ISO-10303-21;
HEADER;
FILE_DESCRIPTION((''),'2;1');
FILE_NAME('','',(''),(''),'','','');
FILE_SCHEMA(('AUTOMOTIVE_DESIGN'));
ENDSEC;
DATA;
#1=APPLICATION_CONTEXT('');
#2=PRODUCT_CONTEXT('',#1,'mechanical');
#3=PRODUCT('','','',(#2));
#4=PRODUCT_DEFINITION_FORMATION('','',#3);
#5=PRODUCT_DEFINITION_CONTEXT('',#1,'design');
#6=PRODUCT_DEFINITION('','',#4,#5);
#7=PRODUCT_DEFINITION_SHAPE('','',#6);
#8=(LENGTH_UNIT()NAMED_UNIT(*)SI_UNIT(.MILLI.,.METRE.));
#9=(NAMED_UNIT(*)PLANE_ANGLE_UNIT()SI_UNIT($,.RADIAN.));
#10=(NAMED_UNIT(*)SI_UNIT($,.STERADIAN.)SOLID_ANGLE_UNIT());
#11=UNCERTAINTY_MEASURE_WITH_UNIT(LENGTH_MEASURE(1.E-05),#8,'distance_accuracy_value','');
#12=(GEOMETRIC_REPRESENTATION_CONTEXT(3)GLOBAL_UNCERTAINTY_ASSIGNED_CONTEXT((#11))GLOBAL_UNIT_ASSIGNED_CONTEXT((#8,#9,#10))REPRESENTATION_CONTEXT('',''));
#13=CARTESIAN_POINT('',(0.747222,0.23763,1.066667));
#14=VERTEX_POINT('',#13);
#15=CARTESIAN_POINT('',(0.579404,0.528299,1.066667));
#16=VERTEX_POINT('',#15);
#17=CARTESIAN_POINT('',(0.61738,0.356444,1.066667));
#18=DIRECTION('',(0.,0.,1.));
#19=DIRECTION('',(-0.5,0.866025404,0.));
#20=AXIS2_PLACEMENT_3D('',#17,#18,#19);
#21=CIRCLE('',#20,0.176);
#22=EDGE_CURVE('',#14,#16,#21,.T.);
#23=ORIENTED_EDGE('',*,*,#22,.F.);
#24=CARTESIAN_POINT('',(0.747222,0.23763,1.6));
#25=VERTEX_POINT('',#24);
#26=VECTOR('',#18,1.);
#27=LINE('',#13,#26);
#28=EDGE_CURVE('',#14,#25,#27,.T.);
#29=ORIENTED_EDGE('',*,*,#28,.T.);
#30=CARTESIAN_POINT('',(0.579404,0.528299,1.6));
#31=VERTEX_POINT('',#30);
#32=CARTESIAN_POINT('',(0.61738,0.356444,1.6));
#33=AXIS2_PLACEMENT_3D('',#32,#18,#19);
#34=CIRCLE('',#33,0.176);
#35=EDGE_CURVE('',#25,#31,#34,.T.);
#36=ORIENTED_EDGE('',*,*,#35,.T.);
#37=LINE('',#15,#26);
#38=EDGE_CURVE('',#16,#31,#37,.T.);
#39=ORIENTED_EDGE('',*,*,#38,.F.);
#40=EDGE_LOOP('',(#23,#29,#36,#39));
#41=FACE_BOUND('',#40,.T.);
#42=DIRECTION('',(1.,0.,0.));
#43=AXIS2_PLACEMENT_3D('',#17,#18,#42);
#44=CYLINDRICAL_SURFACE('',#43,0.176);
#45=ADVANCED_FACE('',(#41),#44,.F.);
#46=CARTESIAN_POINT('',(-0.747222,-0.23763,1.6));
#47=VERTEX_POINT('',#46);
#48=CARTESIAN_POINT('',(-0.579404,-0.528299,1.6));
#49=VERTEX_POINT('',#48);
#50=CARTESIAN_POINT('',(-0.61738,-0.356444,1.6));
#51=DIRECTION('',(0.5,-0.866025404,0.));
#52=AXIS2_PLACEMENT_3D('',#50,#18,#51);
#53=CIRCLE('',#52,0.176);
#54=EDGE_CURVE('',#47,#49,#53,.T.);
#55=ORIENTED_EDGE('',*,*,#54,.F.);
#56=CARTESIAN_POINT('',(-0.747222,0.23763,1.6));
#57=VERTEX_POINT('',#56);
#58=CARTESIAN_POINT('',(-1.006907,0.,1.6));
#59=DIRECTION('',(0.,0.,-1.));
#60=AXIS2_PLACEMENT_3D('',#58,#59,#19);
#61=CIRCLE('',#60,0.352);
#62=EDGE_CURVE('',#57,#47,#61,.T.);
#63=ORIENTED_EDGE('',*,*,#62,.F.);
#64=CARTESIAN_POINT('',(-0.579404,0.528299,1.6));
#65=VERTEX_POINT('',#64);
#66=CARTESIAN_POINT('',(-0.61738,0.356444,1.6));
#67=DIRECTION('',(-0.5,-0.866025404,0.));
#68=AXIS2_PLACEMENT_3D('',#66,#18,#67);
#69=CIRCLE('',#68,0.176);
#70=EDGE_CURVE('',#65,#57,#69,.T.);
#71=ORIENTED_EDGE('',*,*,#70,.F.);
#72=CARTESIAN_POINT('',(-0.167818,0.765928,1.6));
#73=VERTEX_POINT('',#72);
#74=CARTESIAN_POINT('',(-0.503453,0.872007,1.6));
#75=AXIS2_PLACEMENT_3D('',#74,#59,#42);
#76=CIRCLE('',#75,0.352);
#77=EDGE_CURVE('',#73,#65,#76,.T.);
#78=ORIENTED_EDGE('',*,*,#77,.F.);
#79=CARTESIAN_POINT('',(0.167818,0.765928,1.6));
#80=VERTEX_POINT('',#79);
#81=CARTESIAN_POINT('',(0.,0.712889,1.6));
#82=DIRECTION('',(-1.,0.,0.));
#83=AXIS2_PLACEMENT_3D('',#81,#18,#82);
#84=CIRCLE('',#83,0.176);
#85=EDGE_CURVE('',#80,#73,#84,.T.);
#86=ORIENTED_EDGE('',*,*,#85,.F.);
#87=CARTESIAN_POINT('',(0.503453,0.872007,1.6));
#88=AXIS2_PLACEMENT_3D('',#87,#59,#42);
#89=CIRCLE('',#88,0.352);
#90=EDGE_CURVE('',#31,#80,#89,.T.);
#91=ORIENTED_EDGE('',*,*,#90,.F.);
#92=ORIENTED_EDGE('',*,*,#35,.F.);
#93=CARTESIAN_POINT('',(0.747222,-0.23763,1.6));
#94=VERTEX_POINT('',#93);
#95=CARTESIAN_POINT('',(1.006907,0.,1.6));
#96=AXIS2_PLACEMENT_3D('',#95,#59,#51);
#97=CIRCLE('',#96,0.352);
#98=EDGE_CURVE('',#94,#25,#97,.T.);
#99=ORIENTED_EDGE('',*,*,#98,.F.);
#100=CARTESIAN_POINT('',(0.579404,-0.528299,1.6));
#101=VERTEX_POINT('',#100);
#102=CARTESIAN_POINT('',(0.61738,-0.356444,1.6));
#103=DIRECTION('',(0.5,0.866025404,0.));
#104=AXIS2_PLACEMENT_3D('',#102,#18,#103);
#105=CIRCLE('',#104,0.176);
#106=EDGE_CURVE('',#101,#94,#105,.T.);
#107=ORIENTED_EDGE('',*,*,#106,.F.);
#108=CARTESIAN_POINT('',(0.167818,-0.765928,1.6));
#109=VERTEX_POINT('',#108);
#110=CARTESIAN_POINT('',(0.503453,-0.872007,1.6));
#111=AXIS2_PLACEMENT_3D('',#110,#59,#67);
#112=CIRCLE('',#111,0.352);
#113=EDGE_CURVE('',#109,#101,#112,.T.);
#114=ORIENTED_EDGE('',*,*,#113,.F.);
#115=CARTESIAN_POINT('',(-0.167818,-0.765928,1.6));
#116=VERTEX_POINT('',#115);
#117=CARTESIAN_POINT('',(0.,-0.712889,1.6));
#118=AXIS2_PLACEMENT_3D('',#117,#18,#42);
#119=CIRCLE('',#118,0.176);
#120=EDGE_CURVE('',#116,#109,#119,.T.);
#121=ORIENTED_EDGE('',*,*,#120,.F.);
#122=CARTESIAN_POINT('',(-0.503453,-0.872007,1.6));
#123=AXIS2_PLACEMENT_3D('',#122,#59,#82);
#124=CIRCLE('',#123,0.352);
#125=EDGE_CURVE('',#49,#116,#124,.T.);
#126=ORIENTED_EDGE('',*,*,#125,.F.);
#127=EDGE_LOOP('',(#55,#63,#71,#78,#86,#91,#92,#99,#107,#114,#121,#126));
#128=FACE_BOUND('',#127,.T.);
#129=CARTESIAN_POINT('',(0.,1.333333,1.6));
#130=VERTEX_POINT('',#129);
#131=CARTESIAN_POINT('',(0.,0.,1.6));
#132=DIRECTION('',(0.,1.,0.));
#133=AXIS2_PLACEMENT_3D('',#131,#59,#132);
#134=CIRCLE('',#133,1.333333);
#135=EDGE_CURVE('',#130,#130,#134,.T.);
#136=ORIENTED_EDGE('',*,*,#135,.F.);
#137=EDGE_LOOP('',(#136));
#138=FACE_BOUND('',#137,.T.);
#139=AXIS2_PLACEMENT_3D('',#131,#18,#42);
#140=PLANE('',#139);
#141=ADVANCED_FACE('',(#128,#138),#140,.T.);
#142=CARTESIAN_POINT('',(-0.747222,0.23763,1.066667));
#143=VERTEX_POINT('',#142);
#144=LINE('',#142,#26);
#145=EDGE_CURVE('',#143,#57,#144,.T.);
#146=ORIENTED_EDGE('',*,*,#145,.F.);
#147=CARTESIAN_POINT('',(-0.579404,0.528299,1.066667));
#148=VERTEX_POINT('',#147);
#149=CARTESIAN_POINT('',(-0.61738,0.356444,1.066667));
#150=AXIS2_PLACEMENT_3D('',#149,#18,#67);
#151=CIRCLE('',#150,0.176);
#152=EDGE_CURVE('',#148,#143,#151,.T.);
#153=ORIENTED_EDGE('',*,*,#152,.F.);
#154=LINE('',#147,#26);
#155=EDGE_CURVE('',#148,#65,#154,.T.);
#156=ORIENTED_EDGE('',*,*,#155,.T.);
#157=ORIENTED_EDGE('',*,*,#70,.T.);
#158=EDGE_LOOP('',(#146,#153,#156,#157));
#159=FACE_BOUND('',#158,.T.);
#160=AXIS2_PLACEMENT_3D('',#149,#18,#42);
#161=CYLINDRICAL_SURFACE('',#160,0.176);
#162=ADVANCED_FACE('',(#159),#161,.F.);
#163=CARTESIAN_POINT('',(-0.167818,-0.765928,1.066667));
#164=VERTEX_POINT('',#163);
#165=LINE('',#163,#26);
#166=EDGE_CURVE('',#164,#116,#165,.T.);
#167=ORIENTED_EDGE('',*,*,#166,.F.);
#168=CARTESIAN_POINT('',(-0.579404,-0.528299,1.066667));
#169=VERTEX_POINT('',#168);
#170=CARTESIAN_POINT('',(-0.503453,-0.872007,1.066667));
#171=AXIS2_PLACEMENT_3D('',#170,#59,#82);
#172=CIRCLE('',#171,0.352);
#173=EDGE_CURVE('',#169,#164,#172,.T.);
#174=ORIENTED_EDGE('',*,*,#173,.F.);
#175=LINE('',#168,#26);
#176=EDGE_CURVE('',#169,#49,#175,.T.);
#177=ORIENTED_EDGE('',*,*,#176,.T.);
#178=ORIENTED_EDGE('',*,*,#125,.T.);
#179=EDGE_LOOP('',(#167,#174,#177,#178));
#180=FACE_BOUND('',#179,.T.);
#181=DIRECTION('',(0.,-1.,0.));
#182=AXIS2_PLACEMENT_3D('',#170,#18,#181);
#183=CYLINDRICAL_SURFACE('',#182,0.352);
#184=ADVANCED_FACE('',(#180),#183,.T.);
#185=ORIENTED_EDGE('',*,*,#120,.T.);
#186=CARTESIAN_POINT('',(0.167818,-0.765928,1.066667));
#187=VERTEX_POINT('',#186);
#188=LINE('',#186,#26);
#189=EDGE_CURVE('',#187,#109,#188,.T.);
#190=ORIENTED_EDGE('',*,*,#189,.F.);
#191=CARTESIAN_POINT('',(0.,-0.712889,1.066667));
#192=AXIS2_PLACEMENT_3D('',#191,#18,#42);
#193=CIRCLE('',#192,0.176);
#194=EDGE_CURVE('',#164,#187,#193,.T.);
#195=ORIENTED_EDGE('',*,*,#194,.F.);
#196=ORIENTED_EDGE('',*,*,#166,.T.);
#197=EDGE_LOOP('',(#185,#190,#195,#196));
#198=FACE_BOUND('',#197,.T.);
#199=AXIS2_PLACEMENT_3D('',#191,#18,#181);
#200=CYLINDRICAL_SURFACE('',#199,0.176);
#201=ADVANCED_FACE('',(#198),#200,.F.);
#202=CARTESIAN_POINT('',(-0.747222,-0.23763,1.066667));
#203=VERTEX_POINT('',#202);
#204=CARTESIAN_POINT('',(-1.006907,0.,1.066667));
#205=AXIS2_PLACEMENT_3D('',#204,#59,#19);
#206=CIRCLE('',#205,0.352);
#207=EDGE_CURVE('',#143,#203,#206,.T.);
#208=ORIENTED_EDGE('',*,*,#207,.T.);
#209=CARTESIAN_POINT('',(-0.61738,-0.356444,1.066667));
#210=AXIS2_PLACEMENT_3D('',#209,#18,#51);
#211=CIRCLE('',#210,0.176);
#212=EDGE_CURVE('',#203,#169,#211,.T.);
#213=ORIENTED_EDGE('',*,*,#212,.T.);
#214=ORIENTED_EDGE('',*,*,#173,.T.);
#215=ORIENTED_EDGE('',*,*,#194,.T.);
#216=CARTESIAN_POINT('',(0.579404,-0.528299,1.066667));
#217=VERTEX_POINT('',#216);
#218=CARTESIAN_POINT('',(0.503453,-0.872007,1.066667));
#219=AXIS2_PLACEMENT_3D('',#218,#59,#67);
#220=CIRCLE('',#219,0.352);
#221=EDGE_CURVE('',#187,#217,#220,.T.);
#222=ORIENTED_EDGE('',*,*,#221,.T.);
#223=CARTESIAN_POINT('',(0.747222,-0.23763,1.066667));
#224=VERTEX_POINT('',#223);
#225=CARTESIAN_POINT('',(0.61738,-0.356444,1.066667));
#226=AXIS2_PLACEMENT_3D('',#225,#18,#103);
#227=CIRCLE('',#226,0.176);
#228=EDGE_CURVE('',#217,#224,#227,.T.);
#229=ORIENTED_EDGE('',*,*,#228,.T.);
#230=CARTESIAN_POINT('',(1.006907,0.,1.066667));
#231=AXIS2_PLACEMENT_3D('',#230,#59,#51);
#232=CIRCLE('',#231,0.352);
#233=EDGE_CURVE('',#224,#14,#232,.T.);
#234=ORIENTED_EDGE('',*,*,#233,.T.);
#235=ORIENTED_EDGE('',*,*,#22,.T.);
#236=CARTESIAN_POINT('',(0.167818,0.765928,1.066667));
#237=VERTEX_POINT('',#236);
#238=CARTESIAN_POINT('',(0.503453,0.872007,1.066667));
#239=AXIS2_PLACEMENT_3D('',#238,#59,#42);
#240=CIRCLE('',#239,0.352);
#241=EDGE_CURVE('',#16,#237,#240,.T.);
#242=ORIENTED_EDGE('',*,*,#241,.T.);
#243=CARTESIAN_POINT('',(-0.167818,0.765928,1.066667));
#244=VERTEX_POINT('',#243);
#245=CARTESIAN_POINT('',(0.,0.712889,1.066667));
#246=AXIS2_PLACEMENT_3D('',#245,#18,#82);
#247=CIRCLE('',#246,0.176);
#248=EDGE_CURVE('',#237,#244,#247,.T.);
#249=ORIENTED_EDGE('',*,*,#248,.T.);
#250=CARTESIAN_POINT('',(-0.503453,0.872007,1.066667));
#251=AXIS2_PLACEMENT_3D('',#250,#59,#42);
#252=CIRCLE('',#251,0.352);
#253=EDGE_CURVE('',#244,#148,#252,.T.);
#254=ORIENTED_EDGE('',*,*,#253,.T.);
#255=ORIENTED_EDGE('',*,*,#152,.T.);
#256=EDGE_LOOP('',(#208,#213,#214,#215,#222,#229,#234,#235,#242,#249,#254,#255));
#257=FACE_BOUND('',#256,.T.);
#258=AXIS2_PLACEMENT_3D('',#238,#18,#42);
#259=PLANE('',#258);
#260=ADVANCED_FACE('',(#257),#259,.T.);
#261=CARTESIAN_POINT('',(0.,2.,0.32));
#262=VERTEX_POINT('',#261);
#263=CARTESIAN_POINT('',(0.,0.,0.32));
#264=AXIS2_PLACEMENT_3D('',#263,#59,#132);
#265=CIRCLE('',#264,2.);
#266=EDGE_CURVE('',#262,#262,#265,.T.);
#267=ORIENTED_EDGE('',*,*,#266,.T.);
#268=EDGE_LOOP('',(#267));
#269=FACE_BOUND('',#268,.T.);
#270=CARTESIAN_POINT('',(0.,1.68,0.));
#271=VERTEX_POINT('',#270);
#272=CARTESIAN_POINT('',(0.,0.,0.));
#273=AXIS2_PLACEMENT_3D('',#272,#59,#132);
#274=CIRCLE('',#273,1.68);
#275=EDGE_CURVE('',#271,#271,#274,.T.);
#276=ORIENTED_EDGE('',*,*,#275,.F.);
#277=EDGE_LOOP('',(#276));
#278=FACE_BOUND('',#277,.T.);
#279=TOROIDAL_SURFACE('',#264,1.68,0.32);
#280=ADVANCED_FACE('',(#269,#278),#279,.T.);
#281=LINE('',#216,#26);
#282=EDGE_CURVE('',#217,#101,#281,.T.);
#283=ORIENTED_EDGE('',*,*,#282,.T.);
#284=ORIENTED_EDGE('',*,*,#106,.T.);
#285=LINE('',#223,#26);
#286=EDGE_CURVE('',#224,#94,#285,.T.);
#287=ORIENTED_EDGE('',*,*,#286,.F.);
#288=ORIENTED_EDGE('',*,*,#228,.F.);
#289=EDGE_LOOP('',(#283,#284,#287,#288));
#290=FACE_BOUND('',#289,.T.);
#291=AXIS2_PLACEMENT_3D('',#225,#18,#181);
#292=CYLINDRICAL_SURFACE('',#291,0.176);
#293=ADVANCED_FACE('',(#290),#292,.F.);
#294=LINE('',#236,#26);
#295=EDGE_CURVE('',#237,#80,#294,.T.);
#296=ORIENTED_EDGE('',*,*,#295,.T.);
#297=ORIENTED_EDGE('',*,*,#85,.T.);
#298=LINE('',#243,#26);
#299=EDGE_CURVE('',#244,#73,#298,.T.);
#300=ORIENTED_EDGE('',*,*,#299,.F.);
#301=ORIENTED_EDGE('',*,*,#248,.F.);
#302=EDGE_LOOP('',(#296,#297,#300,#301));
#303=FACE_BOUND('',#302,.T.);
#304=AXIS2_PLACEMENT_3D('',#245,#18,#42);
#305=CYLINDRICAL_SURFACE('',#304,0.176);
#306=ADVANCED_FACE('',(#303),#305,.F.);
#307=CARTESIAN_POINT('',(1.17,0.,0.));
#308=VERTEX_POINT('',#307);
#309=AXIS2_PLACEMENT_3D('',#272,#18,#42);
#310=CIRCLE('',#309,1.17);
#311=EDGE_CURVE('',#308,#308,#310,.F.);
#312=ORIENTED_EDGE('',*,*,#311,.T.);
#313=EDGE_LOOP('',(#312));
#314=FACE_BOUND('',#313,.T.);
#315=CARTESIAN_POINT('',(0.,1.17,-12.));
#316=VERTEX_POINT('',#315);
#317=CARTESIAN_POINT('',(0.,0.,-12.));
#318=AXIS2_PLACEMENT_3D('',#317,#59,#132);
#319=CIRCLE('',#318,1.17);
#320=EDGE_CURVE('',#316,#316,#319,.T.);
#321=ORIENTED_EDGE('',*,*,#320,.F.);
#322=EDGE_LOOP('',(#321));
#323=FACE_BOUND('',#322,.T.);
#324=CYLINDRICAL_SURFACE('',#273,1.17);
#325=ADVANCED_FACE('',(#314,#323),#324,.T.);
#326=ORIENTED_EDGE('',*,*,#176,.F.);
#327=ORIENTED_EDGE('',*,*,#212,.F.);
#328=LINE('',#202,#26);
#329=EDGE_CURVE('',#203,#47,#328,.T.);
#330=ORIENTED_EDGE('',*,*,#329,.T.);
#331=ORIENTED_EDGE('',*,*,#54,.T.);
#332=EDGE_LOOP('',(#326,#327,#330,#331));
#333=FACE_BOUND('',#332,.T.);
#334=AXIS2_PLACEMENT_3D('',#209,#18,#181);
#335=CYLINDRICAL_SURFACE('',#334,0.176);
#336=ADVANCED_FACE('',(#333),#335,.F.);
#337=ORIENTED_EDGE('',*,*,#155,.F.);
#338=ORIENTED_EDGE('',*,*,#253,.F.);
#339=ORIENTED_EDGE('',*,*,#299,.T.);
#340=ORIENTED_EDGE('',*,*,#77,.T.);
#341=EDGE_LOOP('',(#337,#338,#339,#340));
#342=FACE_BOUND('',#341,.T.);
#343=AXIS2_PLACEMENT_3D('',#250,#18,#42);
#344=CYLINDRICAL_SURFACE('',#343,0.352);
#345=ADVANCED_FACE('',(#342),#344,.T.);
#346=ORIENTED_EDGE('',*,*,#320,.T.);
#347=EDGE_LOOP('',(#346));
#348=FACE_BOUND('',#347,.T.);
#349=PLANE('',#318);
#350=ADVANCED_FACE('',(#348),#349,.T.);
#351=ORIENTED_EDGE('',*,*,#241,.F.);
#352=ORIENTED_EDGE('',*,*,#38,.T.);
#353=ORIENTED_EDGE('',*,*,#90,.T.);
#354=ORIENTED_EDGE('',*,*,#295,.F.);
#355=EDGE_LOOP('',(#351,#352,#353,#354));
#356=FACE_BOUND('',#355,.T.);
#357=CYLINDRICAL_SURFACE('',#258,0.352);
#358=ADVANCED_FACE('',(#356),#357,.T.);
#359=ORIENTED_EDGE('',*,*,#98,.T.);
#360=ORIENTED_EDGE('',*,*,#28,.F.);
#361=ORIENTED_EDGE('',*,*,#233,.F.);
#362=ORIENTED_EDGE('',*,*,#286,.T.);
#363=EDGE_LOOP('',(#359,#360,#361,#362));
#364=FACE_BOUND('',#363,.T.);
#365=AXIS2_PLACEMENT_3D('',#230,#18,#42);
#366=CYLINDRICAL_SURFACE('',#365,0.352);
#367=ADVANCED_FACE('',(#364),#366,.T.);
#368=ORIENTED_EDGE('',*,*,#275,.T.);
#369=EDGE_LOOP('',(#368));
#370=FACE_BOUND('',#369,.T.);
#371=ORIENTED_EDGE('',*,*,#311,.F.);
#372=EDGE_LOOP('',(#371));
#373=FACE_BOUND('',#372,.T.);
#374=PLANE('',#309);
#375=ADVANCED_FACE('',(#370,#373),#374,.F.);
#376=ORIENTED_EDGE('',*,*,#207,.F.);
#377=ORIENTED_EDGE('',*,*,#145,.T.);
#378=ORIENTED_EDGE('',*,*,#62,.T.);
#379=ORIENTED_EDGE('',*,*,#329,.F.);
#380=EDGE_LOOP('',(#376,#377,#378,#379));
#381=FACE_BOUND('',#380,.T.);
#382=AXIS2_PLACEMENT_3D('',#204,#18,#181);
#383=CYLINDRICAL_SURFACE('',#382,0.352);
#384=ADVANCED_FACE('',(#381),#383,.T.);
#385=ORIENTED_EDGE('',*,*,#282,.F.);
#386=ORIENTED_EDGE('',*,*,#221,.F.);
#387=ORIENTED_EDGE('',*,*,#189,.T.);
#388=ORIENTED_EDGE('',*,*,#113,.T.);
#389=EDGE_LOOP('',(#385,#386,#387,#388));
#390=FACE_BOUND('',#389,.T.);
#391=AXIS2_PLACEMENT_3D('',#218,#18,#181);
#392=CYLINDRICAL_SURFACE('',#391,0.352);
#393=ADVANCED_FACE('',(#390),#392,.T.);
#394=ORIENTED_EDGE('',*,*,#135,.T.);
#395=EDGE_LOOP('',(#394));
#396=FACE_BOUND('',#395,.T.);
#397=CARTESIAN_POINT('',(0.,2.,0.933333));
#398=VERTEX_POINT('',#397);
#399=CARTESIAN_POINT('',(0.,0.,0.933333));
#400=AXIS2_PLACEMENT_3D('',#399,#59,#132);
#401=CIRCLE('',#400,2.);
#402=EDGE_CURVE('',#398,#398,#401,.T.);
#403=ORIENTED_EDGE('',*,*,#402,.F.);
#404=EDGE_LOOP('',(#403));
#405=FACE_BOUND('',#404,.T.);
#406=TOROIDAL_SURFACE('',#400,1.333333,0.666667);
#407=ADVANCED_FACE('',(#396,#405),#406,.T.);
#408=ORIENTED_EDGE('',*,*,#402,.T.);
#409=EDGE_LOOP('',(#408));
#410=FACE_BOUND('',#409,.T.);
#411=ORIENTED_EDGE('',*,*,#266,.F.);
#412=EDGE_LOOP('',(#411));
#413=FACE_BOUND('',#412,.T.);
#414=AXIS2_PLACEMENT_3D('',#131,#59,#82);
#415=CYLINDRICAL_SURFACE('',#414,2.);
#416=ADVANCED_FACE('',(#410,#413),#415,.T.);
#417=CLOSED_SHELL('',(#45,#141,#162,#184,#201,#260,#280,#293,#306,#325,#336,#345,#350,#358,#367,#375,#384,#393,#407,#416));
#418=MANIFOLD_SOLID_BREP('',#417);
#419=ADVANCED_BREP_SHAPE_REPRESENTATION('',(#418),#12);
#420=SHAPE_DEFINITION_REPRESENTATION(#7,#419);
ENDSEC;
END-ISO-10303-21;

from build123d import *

# Parameters (mm, degrees)
SKETCH17_W         = 12
SKETCH17_H         = 1.17
SKETCH1_R          = 2
EXTRUDE3_DEPTH     = 1.6
CUT_EXTRUDE1_DEPTH = 0.533333333
CIRPATTERN1_COUNT  = 6


with BuildPart() as part:
    # Sketch17 → Revolve1 (revolve)
    with BuildSketch(Plane(origin=(0, 0, 0), x_dir=(0, 0, -1), z_dir=(1, 0, 0))):
        with Locations((6, 0.585)):
            Rectangle(SKETCH17_W, SKETCH17_H)
    revolve(axis=Axis((0, 0, 0), (0, 0, 1)))

    # Sketch1 → Extrude3 (add)
    with BuildSketch(Plane.XY):
        Circle(SKETCH1_R)
    extrude(amount=EXTRUDE3_DEPTH)

    # Sketch11 → Cut-Revolve3 (revolve, cut)
    with BuildSketch(Plane(origin=(0, 0, 0), x_dir=(0, 0, -1), z_dir=(1, 0, 0))):
        with BuildLine():
            Line((-0.933333333, 2), (-0.32, 2))
            ThreePointArc((-0.32, 2), (-0.09372583, 1.90627417), (0, 1.68))
            Line((0, 1.68), (0.254, 1.68))
            Line((0.254, 1.68), (0.254, 2.254))
            Line((0.254, 2.254), (-1.854, 2.254))
            Line((-1.854, 2.254), (-1.854, 1.333333333))
            Line((-1.854, 1.333333333), (-1.6, 1.333333333))
            ThreePointArc((-1.6, 1.333333333), (-1.404737854, 1.804737854), (-0.933333333, 2))
        make_face()
    revolve(axis=Axis((0, 0, 0), (0, 0, 1)), mode=Mode.SUBTRACT)

    # Sketch12 → Cut-Extrude1 (cut)
    with BuildSketch(Plane.XY.offset(1.6)):
        with BuildLine():
            Line((-0.327453492, 0.567166085), (0, 0))
            Line((0, 0), (0.327453492, 0.567166085))
            ThreePointArc((0.327453492, 0.567166085), (0.229009756, 0.651587798), (0.167817831, 0.765928268))
            ThreePointArc((0.167817831, 0.765928268), (0, 0.888888889), (-0.167817831, 0.765928268))
            ThreePointArc((-0.167817831, 0.765928268), (-0.229009756, 0.651587798), (-0.327453492, 0.567166085))
        make_face()
    cut_extrude1 = extrude(amount=-CUT_EXTRUDE1_DEPTH, mode=Mode.SUBTRACT)

    # CirPattern1: Cut-Extrude1 ×6 about axis
    cirpattern1_axis = Axis((0, 0, 0), (0, 0, -1))
    for i in range(1, CIRPATTERN1_COUNT):
        add(cut_extrude1.rotate(cirpattern1_axis, i * 360 / CIRPATTERN1_COUNT), mode=Mode.SUBTRACT)


solid = part.part
